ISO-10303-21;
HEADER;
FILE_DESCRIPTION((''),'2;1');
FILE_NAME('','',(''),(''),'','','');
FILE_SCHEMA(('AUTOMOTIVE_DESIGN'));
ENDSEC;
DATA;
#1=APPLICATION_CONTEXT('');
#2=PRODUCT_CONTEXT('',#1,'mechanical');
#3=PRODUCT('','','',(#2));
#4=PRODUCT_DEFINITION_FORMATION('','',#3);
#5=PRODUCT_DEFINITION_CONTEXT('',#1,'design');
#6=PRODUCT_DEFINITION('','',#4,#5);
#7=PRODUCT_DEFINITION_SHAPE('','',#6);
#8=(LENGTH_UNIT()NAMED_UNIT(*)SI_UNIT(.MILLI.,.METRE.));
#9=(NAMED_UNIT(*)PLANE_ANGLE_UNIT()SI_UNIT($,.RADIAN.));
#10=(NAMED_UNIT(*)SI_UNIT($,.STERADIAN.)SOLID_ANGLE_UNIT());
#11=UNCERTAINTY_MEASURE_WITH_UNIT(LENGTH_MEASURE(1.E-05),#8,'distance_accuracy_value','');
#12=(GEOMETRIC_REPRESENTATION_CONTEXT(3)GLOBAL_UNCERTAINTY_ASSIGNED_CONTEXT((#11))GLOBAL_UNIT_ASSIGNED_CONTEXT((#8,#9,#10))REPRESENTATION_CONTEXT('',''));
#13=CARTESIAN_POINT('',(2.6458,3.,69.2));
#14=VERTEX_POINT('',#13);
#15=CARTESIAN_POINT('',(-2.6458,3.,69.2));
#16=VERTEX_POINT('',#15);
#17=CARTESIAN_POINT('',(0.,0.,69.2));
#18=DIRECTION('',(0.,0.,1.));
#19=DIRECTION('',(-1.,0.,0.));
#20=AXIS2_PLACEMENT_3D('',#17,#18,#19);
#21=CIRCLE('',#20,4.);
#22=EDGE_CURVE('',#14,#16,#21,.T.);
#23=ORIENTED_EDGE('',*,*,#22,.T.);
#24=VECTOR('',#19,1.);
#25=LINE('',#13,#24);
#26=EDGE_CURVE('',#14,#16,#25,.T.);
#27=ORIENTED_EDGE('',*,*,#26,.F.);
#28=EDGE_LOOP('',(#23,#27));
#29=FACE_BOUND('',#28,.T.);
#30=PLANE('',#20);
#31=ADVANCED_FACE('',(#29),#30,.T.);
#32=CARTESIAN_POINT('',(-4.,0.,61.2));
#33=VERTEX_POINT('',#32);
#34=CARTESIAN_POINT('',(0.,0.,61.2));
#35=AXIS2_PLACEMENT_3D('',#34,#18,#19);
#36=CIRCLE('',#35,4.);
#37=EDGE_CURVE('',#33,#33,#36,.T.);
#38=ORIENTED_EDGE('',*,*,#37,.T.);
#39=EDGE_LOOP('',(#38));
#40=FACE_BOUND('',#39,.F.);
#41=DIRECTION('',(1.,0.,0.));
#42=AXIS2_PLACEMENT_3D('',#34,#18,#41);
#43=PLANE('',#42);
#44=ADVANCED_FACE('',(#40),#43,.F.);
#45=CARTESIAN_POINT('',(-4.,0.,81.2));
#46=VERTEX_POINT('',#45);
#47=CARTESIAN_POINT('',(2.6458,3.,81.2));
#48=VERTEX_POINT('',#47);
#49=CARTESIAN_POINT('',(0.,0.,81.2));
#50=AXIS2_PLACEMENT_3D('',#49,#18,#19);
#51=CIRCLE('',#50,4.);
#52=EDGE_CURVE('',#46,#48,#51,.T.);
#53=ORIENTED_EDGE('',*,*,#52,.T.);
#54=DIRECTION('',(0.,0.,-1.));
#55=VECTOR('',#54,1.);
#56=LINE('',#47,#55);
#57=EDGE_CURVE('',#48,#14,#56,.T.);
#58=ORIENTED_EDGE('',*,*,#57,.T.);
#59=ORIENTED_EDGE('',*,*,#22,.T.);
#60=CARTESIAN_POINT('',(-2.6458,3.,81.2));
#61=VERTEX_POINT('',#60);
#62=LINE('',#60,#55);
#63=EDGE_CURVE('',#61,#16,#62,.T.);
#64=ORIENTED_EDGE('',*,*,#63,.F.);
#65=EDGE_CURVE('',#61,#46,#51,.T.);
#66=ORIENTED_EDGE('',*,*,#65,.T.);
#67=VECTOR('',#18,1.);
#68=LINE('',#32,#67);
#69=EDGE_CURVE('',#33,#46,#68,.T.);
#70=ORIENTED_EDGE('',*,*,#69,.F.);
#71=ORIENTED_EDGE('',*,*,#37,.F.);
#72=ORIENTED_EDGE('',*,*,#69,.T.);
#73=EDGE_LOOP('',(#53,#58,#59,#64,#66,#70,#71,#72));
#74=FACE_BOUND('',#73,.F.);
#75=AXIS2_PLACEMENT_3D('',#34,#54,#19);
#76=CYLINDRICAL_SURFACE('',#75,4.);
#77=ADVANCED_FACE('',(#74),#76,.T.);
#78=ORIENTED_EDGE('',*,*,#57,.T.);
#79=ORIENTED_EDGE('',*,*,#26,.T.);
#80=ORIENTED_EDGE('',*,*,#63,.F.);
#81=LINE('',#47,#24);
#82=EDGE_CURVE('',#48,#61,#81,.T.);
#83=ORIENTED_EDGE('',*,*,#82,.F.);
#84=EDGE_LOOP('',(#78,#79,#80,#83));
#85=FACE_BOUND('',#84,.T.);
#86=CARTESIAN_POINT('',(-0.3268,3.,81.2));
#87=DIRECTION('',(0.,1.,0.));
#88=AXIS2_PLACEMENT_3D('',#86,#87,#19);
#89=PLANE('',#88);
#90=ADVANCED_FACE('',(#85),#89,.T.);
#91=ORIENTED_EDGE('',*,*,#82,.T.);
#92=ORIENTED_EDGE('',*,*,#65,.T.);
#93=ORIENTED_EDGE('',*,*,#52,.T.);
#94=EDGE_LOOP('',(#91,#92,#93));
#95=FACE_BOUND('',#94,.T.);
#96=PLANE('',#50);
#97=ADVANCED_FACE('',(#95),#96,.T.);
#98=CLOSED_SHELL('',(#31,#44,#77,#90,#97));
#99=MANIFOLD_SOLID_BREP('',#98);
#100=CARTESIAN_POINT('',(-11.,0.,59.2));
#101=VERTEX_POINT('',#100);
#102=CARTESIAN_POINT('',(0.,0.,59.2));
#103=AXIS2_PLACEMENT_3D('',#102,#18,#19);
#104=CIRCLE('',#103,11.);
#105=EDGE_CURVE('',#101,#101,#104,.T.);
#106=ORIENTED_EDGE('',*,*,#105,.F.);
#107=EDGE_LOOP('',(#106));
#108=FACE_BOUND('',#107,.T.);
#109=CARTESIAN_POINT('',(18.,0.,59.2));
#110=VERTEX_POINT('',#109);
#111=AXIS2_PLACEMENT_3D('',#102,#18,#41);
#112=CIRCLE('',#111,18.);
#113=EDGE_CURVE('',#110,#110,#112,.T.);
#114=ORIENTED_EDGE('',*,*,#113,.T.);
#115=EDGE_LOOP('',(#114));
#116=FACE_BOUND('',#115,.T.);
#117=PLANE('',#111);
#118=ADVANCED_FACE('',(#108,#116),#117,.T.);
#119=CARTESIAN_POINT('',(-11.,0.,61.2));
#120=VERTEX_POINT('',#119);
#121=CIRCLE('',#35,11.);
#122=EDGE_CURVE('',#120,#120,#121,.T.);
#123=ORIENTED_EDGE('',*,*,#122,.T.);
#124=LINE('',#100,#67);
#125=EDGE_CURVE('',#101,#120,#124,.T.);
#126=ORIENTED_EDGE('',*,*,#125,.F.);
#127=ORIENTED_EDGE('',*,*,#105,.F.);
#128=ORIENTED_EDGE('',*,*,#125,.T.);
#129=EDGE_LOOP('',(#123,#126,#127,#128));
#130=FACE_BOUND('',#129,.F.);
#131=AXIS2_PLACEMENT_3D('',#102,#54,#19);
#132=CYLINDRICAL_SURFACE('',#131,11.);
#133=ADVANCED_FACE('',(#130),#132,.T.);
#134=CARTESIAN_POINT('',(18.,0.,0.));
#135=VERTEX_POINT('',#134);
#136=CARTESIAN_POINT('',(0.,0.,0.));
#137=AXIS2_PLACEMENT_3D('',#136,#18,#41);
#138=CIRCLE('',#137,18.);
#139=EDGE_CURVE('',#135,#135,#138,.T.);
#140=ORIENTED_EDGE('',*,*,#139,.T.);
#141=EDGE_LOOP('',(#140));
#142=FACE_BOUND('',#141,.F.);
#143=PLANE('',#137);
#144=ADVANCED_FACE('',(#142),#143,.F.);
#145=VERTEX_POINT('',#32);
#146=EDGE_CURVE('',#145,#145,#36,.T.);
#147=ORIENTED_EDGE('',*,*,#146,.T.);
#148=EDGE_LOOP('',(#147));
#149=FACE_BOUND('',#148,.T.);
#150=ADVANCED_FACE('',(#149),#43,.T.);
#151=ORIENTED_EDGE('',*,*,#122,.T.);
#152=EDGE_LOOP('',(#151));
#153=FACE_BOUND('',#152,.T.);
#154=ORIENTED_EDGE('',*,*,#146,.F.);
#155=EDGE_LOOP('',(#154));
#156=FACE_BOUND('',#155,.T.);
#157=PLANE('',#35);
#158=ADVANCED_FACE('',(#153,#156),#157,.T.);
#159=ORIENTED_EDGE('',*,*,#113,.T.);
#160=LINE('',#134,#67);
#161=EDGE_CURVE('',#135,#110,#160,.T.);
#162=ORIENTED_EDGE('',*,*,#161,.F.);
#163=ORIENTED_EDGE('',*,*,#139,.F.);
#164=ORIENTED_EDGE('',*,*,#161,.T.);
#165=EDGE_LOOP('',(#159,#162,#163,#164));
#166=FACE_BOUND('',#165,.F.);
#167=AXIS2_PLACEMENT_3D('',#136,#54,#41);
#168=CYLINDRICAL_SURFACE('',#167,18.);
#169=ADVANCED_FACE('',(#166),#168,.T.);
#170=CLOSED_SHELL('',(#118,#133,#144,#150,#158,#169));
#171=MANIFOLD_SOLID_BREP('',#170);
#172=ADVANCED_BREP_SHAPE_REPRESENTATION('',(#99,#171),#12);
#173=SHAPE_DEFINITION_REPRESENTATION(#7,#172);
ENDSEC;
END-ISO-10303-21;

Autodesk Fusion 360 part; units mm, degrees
sketch "スケッチ1" plane through (0, 0, 0) normal (0, 0, 1) x (1, 0, 0)
  circle A0 centre (0, 0) radius 18
  dimension "d1" = 36
extrude "押し出し1" add sketch "スケッチ1" along normal blind 59.2 makes body 1
sketch "スケッチ2" plane through (0, 0, 59.2) normal (0, 0, 1) x (-1, 0, 0)
  circle A0 centre (0, 0) radius 18
  circle A1 centre (0, 0) radius 11
  dimension "d4" = 22
extrude "押し出し2" add sketch "スケッチ2" along normal blind 2 contours A1 bodies 1
sketch "スケッチ3" plane through (0, 0, 61.2) normal (0, 0, 1) x (-1, 0, 0)
  circle A0 centre (0, 0) radius 11
  circle A1 centre (0, 0) radius 4
  dimension "d7" = 8
extrude "押し出し3" add sketch "スケッチ3" along normal blind 20 contours A1 bodies 1
sketch "スケッチ4" plane through (0, 0, 81.2) normal (0, 0, 1) x (-1, 0, 0)
  circle A0 centre (0, 0) radius 4
  line L0 (0, 4) -> (0, -3)
  line L1 (0, -3) -> (-2.6458, -3)
  line L2 (0, -3) -> (0.3268, -3)
  line L3 (0.3268, -3) -> (2.6458, -3)
  dimension "d10" = 7
extrude "押し出し4" cut sketch "スケッチ4" against normal blind 12 contours A0 L1 L2 L3 bodies 1
split "分割1" by plane through (0, 0, 61.2) normal (0, 0, 1) bodies 1 makes body 2 at (3.1047, 2.5221, 67.8667)
copy_body "ボディ -> コンポーネント1" bodies 1 removing the originals makes body 3 in component "Component"
copy_body "ボディ -> コンポーネント2" bodies 2 removing the originals makes body 4 in component "Component'"
component "Component" placed x (1, 0, 0) y (0, 1, 0) z (0, 0, 1) at (0, 0, 0)
component "Component'" placed x (1, 0, 0) y (0, 1, 0) z (0, 0, 1) at (0, 0, 0)
